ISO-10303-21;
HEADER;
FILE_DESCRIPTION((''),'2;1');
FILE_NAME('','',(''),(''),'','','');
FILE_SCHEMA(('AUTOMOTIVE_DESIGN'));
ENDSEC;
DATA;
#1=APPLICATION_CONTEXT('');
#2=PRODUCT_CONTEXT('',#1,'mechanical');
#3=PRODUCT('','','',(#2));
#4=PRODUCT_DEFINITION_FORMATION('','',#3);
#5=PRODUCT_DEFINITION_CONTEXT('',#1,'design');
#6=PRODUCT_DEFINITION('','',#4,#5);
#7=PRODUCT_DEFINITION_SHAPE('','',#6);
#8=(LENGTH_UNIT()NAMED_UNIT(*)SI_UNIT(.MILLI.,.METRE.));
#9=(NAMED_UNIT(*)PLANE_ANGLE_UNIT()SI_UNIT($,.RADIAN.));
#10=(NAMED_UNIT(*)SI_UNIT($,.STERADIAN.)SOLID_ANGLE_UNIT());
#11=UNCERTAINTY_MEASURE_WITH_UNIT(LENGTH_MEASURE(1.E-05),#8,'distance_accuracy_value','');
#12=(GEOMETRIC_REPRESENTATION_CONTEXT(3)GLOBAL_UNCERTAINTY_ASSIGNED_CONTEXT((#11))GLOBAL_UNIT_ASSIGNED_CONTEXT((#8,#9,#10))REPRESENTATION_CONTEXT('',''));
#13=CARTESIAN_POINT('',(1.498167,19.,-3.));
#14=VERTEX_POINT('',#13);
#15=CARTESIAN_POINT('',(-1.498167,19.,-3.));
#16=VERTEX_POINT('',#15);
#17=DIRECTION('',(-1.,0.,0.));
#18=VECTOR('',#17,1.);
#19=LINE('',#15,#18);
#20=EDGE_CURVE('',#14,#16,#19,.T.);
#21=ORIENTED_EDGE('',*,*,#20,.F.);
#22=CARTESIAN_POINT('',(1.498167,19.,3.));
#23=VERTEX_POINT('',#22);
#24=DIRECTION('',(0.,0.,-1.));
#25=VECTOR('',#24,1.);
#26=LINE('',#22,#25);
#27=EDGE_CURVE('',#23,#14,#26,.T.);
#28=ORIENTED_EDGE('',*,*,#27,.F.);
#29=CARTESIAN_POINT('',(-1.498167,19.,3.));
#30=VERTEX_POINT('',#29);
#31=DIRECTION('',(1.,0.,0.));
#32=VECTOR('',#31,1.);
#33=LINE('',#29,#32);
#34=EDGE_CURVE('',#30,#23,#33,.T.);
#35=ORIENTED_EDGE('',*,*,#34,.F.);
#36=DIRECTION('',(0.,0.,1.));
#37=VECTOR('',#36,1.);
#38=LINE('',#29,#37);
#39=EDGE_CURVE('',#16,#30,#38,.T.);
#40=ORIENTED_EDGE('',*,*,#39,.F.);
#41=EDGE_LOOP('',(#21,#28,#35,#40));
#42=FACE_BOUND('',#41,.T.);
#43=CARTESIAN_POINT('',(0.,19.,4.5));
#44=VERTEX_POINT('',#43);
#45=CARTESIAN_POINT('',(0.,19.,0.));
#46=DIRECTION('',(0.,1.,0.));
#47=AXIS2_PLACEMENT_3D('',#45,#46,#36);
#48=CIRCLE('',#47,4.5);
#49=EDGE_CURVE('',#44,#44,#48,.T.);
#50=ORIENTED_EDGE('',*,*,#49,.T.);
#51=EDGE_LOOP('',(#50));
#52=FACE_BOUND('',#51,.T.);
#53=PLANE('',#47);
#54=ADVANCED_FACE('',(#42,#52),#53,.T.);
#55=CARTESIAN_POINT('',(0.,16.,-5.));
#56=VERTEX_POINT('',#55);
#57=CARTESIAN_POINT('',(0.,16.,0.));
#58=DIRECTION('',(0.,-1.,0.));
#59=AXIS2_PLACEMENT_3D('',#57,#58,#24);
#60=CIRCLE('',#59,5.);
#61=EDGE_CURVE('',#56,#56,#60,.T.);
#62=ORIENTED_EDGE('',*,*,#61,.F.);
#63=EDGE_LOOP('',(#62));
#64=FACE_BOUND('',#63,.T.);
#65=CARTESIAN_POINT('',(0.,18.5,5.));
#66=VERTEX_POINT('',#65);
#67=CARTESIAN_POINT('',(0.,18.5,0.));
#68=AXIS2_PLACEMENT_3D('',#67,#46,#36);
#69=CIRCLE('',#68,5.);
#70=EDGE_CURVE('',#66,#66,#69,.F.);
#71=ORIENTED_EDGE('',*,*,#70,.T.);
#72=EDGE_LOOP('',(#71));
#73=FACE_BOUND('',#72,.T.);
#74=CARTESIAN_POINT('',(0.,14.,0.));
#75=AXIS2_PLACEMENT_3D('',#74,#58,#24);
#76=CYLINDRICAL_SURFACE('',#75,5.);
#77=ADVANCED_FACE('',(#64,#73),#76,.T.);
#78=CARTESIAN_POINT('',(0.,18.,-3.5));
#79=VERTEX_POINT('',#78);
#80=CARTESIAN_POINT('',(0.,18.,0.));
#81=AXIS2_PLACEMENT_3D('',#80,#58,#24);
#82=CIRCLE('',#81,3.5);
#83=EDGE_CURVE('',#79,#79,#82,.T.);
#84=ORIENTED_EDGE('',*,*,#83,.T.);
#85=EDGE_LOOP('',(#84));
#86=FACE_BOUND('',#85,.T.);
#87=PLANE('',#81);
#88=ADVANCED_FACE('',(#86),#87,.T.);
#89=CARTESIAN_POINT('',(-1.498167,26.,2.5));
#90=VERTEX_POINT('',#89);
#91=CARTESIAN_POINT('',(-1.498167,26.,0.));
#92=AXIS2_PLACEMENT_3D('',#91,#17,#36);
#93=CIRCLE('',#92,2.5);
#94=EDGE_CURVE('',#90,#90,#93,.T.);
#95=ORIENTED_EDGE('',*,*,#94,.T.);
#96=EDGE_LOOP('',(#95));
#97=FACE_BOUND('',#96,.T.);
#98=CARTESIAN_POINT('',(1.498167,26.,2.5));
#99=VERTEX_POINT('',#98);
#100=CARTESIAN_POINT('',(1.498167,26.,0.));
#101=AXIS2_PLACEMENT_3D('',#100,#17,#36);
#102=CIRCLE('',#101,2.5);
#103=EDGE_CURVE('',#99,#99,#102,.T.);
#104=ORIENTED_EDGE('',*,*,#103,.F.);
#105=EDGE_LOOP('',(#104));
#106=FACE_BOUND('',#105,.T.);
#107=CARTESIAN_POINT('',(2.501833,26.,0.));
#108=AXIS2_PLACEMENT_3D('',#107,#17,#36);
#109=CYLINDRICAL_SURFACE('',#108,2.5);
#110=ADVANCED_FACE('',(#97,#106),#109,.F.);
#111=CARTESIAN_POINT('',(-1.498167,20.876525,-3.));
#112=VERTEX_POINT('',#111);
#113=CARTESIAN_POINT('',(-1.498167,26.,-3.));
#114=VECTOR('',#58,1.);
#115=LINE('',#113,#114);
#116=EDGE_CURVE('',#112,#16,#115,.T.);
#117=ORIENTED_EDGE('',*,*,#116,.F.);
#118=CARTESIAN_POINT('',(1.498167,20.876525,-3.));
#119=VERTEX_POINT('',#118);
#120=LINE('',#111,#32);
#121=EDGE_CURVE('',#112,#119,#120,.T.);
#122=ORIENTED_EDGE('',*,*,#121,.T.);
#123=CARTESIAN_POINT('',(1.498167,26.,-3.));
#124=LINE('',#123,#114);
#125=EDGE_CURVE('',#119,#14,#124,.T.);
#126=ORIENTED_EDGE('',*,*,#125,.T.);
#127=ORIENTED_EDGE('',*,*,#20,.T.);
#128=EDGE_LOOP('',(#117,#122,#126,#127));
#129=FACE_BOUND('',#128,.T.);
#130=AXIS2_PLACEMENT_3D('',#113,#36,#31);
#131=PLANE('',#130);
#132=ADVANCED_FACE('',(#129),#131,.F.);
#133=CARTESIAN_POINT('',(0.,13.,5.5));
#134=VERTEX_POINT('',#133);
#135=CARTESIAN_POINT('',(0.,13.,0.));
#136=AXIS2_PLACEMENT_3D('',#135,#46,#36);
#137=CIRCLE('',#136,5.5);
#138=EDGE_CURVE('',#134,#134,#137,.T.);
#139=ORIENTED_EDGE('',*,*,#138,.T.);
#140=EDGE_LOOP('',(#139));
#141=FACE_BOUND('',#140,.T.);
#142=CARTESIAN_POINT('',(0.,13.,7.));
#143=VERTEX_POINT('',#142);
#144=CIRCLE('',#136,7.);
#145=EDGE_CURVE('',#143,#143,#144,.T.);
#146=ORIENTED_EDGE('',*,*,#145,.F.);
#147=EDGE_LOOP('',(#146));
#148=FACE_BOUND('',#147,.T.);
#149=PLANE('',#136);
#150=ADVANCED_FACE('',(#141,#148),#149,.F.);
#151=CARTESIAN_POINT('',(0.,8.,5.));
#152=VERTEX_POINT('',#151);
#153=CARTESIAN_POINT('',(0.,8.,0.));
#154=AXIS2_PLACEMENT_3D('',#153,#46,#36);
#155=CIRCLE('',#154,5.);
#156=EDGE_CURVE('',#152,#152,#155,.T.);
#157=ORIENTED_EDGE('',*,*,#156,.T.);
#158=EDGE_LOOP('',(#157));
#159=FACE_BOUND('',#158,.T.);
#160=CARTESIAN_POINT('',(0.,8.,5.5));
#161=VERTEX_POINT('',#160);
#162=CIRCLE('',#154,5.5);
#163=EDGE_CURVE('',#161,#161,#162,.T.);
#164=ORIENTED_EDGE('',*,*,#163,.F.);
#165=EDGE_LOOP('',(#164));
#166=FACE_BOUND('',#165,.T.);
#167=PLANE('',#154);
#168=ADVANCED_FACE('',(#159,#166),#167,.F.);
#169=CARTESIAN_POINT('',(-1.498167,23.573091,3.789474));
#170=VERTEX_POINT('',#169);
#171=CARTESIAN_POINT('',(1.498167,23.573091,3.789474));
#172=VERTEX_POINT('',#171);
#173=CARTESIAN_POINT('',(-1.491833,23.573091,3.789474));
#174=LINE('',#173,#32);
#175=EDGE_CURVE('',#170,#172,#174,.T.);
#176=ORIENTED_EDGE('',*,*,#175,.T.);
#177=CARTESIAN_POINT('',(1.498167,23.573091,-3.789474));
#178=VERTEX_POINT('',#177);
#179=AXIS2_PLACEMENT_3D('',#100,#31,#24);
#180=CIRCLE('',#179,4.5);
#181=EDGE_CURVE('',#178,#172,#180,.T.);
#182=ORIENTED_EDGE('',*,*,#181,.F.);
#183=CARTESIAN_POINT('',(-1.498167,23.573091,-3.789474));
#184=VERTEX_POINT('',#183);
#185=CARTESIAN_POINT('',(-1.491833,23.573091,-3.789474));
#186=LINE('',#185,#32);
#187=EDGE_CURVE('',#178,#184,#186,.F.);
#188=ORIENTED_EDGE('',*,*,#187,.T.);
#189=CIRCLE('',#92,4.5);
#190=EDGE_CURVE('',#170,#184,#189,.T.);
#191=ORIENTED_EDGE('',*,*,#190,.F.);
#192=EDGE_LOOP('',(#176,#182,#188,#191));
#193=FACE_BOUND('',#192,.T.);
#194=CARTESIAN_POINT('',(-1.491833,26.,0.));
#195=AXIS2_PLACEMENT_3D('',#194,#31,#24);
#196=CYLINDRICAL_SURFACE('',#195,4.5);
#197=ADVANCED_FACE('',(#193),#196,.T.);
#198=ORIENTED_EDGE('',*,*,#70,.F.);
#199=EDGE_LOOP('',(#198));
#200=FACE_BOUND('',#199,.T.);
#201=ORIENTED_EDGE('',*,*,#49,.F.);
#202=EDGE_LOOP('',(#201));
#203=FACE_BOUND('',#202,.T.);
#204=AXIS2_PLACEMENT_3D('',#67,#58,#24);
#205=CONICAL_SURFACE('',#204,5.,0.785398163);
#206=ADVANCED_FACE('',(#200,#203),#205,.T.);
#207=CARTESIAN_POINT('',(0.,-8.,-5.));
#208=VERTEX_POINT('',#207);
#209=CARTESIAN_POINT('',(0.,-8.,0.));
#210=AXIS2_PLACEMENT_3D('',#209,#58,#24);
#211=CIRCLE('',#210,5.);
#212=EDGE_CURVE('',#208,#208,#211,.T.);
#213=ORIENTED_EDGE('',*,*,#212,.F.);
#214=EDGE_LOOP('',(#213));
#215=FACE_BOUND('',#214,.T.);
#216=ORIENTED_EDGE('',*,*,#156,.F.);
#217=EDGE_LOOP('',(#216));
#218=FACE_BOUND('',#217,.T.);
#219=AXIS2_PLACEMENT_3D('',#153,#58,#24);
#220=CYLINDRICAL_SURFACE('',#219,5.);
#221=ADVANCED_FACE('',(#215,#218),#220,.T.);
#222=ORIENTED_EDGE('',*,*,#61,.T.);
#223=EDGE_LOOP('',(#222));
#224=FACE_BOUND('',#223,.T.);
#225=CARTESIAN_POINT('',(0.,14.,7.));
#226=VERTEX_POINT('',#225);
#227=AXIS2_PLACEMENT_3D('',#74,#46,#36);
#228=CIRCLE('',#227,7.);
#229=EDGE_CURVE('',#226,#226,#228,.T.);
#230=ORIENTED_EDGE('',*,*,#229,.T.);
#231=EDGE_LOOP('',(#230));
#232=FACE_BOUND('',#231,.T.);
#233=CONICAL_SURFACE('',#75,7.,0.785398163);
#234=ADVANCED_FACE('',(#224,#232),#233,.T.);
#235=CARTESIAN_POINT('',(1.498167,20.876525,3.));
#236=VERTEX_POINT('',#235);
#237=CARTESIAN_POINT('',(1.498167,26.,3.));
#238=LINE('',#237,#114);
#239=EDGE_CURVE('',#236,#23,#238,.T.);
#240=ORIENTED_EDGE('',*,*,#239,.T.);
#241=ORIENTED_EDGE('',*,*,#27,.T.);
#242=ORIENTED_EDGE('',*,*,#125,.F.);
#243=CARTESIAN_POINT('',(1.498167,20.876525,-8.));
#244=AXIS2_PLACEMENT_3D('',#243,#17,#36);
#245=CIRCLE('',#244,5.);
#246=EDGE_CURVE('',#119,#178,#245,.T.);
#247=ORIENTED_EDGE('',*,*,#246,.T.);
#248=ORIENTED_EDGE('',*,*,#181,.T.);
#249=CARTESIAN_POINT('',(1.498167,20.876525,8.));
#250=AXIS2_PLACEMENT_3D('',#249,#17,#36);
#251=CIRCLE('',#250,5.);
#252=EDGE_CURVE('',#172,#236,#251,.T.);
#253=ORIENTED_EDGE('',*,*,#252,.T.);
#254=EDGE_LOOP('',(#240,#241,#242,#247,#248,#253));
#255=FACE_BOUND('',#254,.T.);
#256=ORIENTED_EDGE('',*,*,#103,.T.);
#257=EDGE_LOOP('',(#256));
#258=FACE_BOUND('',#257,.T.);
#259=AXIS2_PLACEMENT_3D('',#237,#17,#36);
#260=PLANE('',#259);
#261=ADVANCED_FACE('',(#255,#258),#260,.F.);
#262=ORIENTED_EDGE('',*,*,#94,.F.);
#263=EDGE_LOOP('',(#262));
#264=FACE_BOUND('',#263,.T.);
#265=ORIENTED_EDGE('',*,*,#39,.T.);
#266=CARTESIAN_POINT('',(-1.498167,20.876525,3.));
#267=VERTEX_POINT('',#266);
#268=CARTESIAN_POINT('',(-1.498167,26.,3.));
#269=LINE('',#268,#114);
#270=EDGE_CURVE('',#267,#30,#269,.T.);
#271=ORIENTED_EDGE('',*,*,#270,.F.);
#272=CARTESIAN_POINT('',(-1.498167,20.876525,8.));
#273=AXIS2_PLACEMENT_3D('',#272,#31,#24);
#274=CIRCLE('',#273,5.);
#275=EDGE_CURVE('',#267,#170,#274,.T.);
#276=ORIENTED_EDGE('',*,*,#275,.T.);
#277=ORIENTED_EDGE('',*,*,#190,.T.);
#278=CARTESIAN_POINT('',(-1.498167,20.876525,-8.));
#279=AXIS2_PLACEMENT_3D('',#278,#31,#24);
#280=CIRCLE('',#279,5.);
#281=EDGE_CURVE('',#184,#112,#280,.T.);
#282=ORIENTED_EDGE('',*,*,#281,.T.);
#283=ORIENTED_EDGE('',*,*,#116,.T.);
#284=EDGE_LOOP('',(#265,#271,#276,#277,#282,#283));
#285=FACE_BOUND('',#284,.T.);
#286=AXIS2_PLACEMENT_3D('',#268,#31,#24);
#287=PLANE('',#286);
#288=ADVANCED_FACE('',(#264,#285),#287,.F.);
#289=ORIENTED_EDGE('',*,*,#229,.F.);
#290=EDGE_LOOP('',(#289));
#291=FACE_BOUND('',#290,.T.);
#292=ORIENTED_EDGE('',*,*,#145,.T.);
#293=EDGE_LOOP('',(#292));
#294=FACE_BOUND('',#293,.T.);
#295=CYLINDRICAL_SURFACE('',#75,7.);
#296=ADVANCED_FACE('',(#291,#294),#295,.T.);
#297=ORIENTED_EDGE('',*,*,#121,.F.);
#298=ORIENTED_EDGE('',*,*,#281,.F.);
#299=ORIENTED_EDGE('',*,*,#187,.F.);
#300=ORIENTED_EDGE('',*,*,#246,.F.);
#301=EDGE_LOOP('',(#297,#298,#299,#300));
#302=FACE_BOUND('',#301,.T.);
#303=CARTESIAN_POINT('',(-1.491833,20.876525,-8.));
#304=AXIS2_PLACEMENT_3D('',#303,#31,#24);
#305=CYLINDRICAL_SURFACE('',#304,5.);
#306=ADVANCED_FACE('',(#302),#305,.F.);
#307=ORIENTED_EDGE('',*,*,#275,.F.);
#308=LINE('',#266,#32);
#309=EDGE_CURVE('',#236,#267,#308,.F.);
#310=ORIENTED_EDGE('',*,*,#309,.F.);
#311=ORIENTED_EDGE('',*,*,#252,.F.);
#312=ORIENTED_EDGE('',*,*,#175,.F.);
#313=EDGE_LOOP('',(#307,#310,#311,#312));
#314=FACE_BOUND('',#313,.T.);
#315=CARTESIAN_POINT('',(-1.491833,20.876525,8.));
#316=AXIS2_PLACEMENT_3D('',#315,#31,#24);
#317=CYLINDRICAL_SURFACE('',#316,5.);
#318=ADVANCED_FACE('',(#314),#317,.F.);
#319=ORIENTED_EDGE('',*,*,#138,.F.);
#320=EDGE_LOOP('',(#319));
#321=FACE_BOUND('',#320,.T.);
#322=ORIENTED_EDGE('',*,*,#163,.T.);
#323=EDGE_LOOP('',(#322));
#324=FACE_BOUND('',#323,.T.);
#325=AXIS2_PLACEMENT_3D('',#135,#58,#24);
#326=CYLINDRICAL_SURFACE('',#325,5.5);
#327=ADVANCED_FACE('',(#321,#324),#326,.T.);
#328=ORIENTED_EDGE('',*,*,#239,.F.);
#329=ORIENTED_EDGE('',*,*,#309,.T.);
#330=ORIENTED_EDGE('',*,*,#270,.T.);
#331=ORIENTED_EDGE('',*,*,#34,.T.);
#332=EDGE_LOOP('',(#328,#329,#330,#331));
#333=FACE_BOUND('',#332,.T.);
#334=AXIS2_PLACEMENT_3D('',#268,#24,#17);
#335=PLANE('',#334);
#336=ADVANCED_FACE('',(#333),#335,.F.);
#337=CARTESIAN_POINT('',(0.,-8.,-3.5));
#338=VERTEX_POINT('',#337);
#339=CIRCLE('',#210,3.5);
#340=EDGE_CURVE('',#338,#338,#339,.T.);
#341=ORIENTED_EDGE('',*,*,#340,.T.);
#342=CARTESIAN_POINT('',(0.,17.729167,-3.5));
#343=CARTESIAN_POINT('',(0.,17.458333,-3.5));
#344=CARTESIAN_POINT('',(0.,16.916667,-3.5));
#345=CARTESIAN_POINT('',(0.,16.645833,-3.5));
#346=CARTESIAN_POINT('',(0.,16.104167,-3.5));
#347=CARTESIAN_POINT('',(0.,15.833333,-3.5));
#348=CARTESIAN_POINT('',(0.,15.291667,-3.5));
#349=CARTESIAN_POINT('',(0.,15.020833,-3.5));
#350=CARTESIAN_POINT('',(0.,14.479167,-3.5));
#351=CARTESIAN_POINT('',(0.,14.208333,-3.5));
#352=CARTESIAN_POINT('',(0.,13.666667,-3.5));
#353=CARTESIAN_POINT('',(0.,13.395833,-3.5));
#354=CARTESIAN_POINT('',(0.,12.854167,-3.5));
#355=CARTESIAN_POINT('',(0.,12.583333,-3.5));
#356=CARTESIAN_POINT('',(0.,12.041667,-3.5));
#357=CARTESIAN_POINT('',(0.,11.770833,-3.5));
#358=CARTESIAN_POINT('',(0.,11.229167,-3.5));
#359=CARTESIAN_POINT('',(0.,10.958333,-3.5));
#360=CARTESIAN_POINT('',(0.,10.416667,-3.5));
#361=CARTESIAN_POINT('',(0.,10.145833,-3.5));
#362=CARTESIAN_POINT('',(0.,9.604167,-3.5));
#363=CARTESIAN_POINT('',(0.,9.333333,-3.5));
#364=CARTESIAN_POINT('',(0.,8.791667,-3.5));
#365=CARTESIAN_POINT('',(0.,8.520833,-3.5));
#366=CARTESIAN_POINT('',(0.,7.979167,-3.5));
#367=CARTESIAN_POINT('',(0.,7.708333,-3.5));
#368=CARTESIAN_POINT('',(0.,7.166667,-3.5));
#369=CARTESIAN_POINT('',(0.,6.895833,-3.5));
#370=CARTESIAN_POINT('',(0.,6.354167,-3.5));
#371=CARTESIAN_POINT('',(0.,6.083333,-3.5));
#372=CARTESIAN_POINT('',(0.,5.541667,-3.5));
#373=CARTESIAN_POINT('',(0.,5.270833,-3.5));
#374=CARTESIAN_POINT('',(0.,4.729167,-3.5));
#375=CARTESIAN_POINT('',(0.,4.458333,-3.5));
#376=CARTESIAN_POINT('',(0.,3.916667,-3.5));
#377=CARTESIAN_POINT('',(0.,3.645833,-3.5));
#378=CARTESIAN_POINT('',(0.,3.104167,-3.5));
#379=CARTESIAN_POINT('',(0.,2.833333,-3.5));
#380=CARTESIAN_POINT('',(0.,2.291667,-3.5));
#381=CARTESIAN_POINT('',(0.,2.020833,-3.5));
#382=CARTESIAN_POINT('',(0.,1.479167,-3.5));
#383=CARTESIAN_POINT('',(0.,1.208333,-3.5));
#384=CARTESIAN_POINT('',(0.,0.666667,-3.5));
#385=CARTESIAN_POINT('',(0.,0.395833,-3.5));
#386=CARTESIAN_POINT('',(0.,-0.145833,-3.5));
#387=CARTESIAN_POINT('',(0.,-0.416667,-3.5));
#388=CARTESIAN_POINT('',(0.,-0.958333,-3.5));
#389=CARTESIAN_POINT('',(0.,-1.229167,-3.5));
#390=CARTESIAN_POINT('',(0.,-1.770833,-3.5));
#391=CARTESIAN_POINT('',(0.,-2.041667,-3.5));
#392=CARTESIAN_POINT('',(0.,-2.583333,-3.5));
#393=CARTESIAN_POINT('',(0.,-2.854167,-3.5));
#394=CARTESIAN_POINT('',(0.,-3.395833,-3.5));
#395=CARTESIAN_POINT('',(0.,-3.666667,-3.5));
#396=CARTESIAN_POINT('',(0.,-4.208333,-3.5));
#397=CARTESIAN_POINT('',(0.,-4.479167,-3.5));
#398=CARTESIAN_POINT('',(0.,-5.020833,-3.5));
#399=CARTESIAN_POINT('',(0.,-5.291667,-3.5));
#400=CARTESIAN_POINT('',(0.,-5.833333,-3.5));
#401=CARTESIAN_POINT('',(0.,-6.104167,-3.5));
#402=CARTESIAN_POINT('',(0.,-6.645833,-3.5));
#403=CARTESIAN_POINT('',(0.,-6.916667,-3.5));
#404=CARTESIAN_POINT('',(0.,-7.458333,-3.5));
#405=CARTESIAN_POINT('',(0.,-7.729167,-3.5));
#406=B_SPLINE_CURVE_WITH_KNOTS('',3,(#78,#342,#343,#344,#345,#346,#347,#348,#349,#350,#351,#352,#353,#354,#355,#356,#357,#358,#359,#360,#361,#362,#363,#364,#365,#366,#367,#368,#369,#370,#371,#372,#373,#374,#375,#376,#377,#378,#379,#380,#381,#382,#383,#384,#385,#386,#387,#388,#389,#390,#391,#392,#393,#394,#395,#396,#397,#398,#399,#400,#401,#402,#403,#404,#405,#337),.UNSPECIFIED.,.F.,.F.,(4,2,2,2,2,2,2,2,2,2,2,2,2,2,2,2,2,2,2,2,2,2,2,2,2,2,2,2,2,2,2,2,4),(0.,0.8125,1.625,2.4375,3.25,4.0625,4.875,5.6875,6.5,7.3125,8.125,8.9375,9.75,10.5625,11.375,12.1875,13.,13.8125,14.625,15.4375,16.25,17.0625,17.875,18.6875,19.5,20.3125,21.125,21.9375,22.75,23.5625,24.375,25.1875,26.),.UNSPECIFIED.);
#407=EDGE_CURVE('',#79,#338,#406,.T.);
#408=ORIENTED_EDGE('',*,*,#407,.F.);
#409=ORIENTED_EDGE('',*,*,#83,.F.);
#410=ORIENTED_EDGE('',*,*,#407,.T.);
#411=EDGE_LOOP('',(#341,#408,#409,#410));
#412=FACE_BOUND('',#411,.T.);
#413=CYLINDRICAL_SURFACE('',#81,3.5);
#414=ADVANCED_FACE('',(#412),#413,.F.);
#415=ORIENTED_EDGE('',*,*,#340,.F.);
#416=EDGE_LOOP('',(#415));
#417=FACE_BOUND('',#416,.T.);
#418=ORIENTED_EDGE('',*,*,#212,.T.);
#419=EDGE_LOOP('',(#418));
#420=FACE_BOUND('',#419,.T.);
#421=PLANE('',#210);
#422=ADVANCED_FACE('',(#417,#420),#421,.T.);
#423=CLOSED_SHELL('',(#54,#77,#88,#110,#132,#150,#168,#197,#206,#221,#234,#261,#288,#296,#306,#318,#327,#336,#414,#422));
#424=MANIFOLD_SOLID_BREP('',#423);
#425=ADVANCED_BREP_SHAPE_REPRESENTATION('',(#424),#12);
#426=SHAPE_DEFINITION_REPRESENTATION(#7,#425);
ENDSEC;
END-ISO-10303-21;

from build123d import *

# Parameters (mm, degrees)
SKETCH1_R            = 5
BOSS_EXTRUDE1_DEPTH  = 8
SKETCH2_R            = 5.5
BOSS_EXTRUDE2_DEPTH  = 5
SKETCH3_R            = 7
BOSS_EXTRUDE3_DEPTH  = 1
CHAMFER2_SIZE        = 0.5
SKETCH48_W           = 2.996334688
SKETCH48_H           = 6
BOSS_EXTRUDE7_DEPTH  = 7
SKETCH50_R           = 4.5
BOSS_EXTRUDE9_DEPTH  = 2.99
BOSS_EXTRUDE10_START = -2.99
SKETCH51_R           = 4.5
BOSS_EXTRUDE10_DEPTH = 2.99
SKETCH52_R           = 2.5
CUT_EXTRUDE1_DEPTH   = 4
BOSS_EXTRUDE11_START = 16
SKETCH56_R           = 5
BOSS_EXTRUDE11_DEPTH = 16
SKETCH57_R           = 3.25
CUT_EXTRUDE7_DEPTH   = 21
SKETCH59_R           = 3.5
CUT_EXTRUDE10_DEPTH  = 26
FILLET1_R            = 5


with BuildPart() as part:
    # Sketch1 → Boss-Extrude1 (new body)
    with BuildSketch(Plane(origin=(0, 0, 0), x_dir=(1, 0, 0), z_dir=(0, 1, 0))):
        with Locations(Location((0, 0, 0), (0, 0, 270))):
            Circle(SKETCH1_R)
    extrude(amount=BOSS_EXTRUDE1_DEPTH)

    # Sketch2 → Boss-Extrude2 (add)
    with BuildSketch(Plane(origin=(0, 8, 0), x_dir=(1, 0, 0), z_dir=(0, 1, 0))):
        with Locations(Location((0, 0, 0), (0, 0, 270))):
            Circle(SKETCH2_R)
    extrude(amount=BOSS_EXTRUDE2_DEPTH)

    # Sketch3 → Boss-Extrude3 (add)
    with BuildSketch(Plane(origin=(0, 13, 0), x_dir=(1, 0, 0), z_dir=(0, 1, 0))):
        with Locations(Location((0, 0, 0), (0, 0, 270))):
            Circle(SKETCH3_R)
    extrude(amount=BOSS_EXTRUDE3_DEPTH)

    # Sketch47 → Revolve1 (revolve)
    with BuildSketch(Plane(origin=(0, 0, 0), x_dir=(0, 0, -1), z_dir=(1, 0, 0))):
        Polygon((0, 14), (0, 19), (5, 19), (5, 16), (7, 14), align=None)
    revolve(axis=Axis((0, 14, 0), (0, 1, 0)))

    # Chamfer2
    chamfer2_edges = [part.edges().sort_by_distance(p)[0] for p in [
        (0, 19, 5),
    ]]
    chamfer(chamfer2_edges, length=CHAMFER2_SIZE)

    # Sketch48 → Boss-Extrude7 (add)
    with BuildSketch(Plane(origin=(0, 19, 0), x_dir=(1, 0, 0), z_dir=(0, 1, 0))):
        Rectangle(SKETCH48_W, SKETCH48_H)
    extrude(amount=BOSS_EXTRUDE7_DEPTH)

    # Sketch50 → Boss-Extrude9 (add)
    with BuildSketch(Plane(origin=(1.498167344, 0, 0), x_dir=(0, 0, -1), z_dir=(1, 0, 0))):
        with Locations((0, 26)):
            Circle(SKETCH50_R)
    extrude(amount=-BOSS_EXTRUDE9_DEPTH)

    # Sketch51 → Boss-Extrude10 (add)
    with BuildSketch(Plane.ZY.offset(1.498167344).offset(BOSS_EXTRUDE10_START)):
        with Locations((0, 26)):
            Circle(SKETCH51_R)
    extrude(amount=BOSS_EXTRUDE10_DEPTH)

    # Sketch52 → Cut-Extrude1 (cut)
    with BuildSketch(Plane.ZY.offset(1.498167344)):
        with Locations((0, 26)):
            Circle(SKETCH52_R)
    extrude(amount=-CUT_EXTRUDE1_DEPTH, mode=Mode.SUBTRACT)

    # Sketch56 → Boss-Extrude11 (add)
    with BuildSketch(Plane.XZ.offset(-8).offset(BOSS_EXTRUDE11_START)):
        with Locations(Location((0, 0, 0), (0, 0, 270))):
            Circle(SKETCH56_R)
    extrude(amount=-BOSS_EXTRUDE11_DEPTH)

    # Sketch57 → Cut-Extrude7 (cut)
    with BuildSketch(Plane.XZ.offset(8)):
        with Locations(Location((0, 0, 0), (0, 0, 270))):
            Circle(SKETCH57_R)
    extrude(amount=-CUT_EXTRUDE7_DEPTH, mode=Mode.SUBTRACT)

    # Sketch59 → Cut-Extrude10 (cut)
    with BuildSketch(Plane(origin=(0, -8, 0), x_dir=(-1, 0, 0), z_dir=(0, -1, 0))):
        with Locations(Location((0, 0, 0), (0, 0, 90))):
            Circle(SKETCH59_R)
    extrude(amount=-CUT_EXTRUDE10_DEPTH, mode=Mode.SUBTRACT)

    # Fillet1
    fillet1_edges = [part.edges().sort_by_distance(p)[0] for p in [
        (0, 22.645898034, 3),
        (0, 22.645898034, -3),
    ]]
    fillet(fillet1_edges, radius=FILLET1_R)


solid = part.part
